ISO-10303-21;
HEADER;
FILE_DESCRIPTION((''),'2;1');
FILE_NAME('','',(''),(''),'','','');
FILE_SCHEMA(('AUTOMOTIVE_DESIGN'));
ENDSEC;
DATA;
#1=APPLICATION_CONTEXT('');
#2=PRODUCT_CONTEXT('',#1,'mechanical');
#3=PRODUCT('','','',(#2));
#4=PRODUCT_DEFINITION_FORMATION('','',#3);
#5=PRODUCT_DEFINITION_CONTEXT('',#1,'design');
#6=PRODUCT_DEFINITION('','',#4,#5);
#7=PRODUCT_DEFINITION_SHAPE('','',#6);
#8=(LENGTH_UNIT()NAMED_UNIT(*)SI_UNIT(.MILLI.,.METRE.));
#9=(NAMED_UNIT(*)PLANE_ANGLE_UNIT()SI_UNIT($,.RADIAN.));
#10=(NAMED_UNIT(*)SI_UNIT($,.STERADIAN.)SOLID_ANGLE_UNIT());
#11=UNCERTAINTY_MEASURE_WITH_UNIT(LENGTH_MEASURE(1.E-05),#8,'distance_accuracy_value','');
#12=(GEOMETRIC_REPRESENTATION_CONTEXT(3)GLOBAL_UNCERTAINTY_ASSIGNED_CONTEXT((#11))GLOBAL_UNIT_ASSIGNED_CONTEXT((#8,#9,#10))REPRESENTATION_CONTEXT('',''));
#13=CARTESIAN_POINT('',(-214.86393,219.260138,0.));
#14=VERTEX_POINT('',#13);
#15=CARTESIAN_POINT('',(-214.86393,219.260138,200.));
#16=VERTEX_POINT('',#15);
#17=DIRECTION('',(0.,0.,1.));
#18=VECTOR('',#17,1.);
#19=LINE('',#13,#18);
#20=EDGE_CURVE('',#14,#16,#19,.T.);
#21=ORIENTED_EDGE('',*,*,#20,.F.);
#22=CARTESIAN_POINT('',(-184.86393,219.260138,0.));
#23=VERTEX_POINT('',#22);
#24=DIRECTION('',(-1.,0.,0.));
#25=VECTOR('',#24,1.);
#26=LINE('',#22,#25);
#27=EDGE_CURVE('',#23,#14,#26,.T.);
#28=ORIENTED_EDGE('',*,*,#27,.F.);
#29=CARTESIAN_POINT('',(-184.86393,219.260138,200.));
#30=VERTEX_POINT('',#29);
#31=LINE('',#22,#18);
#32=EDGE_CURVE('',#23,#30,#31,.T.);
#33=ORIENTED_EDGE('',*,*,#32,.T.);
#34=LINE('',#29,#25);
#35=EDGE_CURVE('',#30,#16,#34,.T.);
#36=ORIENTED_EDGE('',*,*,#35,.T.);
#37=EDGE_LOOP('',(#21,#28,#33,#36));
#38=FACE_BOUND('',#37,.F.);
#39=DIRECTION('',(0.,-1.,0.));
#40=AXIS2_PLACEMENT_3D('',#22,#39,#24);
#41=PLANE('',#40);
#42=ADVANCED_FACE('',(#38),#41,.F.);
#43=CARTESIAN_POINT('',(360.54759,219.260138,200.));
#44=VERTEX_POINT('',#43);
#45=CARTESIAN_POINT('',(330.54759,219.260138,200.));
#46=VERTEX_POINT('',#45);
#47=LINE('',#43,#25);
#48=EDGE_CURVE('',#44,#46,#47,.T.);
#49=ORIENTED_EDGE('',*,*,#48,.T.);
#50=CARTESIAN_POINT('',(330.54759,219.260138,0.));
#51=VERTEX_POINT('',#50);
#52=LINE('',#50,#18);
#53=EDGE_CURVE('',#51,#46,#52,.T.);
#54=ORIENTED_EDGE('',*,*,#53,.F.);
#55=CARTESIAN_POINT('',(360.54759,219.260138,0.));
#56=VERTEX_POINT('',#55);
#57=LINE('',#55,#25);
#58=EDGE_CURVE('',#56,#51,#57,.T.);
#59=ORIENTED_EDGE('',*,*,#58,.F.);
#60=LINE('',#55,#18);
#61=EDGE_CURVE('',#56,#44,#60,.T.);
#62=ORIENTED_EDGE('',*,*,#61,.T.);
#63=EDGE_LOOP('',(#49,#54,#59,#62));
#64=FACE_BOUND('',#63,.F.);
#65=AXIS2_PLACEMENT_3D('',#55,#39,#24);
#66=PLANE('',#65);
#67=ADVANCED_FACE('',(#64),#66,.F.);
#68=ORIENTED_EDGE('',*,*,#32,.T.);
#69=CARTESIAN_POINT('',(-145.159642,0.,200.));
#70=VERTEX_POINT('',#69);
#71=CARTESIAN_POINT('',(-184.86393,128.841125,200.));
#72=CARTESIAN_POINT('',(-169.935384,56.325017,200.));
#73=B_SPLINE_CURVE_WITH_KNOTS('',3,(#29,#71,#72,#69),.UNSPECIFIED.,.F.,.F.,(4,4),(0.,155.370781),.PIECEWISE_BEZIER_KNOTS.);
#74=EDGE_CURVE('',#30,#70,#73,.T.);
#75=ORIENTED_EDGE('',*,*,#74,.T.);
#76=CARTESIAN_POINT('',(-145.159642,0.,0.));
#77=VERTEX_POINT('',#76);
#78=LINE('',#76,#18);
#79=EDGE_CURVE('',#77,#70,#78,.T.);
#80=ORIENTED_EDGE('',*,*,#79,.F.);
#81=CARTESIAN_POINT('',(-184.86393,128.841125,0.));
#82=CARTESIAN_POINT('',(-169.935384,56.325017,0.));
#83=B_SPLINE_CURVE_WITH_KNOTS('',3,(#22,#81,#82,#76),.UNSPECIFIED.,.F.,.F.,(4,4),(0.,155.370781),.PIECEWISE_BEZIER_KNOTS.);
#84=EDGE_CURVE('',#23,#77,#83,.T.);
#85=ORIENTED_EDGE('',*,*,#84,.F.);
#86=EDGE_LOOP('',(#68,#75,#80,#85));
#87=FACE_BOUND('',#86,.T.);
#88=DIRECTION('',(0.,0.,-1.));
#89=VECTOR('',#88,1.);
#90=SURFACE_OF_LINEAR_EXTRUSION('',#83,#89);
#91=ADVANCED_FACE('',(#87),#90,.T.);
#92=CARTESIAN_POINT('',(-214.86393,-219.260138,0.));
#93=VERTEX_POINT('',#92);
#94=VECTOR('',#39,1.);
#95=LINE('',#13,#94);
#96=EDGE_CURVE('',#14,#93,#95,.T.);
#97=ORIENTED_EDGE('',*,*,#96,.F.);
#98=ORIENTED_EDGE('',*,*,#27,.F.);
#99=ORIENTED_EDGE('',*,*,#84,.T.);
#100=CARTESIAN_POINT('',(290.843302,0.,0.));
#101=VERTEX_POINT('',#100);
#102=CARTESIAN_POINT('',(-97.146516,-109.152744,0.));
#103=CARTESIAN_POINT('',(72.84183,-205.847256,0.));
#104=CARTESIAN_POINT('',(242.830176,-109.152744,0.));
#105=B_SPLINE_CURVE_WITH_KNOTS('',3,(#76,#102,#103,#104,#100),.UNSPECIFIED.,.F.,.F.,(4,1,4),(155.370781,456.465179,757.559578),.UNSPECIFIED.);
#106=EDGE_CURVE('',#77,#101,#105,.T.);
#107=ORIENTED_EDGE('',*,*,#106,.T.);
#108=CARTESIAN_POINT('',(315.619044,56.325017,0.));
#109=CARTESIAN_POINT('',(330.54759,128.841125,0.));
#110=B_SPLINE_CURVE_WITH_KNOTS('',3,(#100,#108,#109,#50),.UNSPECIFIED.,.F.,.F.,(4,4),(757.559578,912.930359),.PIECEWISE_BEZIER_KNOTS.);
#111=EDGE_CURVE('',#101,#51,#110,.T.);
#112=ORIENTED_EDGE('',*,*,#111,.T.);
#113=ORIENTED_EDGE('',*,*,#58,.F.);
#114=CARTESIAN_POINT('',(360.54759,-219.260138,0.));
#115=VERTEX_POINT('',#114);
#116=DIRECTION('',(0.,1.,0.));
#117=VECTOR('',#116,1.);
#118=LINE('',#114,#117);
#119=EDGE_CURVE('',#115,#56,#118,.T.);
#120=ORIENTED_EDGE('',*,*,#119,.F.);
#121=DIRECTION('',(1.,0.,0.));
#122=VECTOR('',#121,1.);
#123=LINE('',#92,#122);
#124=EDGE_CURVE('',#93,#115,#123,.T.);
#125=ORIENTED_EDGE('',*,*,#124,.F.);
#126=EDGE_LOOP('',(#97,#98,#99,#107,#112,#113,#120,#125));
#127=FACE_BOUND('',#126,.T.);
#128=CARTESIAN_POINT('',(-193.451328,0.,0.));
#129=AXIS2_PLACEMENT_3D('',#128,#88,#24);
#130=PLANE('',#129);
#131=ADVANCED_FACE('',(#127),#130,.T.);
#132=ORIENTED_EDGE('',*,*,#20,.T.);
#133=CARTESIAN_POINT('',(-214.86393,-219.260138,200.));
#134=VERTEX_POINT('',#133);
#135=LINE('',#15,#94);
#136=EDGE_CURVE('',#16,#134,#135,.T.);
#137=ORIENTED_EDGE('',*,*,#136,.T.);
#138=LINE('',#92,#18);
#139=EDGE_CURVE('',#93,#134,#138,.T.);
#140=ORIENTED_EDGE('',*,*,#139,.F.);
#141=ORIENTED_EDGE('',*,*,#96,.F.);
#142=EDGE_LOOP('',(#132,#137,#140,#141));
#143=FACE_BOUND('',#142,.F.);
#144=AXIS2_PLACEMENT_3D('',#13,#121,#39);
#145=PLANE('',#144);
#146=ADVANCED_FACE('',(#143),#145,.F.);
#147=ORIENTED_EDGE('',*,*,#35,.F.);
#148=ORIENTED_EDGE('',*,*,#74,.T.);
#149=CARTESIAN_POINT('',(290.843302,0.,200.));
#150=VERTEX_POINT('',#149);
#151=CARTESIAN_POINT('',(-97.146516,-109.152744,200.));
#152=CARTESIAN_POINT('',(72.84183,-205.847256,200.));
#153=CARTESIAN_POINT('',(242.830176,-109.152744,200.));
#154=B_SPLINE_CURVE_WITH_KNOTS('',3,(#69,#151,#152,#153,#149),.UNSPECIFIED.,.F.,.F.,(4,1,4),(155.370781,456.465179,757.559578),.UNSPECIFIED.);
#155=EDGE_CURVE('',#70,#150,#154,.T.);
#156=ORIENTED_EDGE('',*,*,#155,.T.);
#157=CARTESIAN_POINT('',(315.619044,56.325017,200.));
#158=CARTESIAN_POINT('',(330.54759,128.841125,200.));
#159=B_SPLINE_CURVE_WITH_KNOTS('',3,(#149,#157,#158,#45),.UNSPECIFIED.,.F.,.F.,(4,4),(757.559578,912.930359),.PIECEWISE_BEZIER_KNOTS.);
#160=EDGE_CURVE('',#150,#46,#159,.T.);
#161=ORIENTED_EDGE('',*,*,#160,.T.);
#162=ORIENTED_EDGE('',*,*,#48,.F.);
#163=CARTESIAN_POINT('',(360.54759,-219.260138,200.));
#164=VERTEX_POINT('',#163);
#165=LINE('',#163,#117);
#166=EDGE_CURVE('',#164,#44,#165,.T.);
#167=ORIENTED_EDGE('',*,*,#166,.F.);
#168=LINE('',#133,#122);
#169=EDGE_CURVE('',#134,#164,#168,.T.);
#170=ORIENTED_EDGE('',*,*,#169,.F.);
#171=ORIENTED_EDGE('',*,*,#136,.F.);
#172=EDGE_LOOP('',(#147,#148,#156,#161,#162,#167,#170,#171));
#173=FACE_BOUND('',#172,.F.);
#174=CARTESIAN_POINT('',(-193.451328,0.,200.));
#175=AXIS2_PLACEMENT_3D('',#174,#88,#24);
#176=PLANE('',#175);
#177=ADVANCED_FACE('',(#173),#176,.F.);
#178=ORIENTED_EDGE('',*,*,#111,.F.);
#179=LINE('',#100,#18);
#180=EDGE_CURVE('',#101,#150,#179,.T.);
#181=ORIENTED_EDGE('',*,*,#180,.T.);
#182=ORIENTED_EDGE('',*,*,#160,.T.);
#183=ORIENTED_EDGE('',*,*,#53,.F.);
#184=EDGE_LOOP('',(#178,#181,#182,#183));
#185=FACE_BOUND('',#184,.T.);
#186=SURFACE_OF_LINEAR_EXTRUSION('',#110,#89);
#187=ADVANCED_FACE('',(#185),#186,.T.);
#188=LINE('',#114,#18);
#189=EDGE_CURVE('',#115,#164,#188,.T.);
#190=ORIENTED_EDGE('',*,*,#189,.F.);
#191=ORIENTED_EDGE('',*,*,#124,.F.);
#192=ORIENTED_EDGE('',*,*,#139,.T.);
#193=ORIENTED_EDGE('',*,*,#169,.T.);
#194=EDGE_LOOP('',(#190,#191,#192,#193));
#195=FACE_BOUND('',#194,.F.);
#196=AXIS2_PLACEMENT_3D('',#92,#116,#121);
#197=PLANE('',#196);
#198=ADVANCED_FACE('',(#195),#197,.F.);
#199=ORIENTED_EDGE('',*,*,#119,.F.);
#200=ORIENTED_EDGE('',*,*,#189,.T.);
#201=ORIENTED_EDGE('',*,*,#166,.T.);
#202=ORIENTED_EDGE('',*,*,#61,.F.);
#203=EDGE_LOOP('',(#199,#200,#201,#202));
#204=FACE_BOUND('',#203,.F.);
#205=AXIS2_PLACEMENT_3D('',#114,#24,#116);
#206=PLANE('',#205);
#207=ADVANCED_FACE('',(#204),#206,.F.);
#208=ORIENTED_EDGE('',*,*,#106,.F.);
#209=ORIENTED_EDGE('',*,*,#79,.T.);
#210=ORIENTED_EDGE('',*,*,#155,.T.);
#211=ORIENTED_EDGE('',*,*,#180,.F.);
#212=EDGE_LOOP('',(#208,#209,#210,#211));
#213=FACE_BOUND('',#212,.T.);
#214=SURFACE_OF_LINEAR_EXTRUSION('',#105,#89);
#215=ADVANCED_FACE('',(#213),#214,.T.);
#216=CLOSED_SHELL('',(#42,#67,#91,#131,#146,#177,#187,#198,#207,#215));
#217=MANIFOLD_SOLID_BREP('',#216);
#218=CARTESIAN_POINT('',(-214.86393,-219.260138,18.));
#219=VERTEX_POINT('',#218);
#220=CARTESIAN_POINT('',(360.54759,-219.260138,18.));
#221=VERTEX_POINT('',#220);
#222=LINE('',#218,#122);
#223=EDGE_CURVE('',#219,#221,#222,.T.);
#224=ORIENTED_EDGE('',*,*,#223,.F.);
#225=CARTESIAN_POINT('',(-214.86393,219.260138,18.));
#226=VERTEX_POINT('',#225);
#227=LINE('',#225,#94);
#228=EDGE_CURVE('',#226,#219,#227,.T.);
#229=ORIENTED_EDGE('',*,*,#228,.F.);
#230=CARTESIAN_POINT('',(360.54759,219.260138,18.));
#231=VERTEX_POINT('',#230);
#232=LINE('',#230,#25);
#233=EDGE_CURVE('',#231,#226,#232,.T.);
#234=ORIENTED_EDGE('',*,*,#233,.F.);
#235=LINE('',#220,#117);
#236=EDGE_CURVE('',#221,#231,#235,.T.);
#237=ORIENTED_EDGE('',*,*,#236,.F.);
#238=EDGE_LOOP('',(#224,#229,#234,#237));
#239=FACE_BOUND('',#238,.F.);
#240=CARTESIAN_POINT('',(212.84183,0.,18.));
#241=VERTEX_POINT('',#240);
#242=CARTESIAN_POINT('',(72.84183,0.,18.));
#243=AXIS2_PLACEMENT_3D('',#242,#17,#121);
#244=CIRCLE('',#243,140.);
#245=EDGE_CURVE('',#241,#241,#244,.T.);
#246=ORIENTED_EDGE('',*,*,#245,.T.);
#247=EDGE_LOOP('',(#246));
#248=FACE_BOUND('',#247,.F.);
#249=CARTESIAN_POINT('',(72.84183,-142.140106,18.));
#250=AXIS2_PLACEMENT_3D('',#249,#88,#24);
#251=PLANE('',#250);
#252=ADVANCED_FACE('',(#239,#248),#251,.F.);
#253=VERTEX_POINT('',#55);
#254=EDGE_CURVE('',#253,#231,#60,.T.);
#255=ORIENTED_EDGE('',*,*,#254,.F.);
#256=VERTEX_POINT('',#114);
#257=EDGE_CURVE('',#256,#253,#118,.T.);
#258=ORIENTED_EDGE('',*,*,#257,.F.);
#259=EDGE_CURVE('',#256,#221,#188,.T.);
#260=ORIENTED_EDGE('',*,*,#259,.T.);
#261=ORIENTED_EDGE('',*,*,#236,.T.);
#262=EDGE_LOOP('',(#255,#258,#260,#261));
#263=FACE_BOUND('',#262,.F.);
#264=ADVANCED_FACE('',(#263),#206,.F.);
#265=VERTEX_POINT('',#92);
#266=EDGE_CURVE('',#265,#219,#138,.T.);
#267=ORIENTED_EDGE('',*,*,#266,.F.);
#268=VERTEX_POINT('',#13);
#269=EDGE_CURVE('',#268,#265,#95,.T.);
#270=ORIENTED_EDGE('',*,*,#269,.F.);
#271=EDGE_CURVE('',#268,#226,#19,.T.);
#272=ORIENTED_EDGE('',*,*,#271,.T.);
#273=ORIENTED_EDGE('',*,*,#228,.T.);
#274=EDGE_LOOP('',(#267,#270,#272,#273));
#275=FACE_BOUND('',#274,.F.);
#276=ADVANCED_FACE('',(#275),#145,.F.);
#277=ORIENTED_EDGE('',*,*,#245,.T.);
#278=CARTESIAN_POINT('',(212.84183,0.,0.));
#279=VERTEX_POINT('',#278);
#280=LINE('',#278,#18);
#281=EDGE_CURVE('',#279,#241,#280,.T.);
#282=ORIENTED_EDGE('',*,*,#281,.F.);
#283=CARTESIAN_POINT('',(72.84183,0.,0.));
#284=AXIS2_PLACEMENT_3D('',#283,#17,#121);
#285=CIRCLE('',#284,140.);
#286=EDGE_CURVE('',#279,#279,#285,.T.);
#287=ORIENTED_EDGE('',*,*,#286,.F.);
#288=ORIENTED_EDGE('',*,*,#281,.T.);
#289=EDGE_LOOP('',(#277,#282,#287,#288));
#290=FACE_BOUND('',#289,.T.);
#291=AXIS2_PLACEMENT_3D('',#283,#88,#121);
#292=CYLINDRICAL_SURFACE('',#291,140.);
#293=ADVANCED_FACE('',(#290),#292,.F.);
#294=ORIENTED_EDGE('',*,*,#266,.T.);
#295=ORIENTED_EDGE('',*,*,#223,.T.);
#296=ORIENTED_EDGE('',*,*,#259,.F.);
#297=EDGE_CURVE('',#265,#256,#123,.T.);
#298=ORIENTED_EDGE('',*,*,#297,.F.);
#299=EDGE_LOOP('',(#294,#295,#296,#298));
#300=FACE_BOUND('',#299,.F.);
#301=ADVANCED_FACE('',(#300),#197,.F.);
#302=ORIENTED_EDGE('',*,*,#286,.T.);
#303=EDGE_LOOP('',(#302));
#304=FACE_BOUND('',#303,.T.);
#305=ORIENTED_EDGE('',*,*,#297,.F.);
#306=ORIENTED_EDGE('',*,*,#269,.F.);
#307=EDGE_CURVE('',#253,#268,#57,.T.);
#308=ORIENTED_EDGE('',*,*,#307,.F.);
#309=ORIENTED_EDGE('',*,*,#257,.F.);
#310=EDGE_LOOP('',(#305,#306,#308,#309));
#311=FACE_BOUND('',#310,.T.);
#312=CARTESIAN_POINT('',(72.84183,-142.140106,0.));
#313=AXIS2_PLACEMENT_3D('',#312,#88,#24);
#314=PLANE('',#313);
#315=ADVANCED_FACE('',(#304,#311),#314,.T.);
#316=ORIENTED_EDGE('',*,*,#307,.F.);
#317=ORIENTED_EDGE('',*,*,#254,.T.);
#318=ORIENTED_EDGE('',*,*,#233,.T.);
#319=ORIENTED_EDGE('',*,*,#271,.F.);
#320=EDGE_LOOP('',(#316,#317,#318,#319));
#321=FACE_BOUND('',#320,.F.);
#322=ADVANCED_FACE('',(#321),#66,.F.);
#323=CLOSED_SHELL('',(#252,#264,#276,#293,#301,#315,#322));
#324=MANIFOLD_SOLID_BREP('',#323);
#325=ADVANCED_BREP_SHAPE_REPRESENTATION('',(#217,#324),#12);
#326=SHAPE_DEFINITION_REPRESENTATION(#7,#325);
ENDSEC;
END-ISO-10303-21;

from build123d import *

# Parameters (mm, degrees)
F1_DEPTH = 200
F0_R     = 140
F2_DEPTH = 18


with BuildPart() as f1:
    # F0 (on Top) → F1 (new body)
    with BuildSketch(Plane.XY):
        with BuildLine():
            add(Edge.make_bspline(
                [(-184.86393, 219.260138), (-184.86393, 128.841125), (-169.935384, 56.325017), (-145.159642, 0)],
                knots=[0, 0, 0, 0, 155.370781, 155.370781, 155.370781, 155.370781], degree=3))
            Line((-184.86393, 219.260138), (-214.86393, 219.260138))
            Line((-214.86393, 219.260138), (-214.86393, -219.260138))
            Line((-214.86393, -219.260138), (-184.86393, -219.260138))
            add(Edge.make_bspline(
                [(-184.86393, -219.260138), (-184.86393, -128.841125), (-169.935384, -56.325017), (-145.159642, 0)],
                knots=[0, 0, 0, 0, 155.370781, 155.370781, 155.370781, 155.370781], degree=3))
        make_face()
        with BuildLine():
            add(Edge.make_bspline(
                [(-145.159642, 0), (-97.146516, -109.152744), (72.84183, -205.847256), (242.830176, -109.152744), (290.843302, 0)],
                knots=[155.370781, 155.370781, 155.370781, 155.370781, 456.465179, 757.559578, 757.559578, 757.559578, 757.559578], degree=3))
            add(Edge.make_bspline(
                [(-184.86393, -219.260138), (-184.86393, -128.841125), (-169.935384, -56.325017), (-145.159642, 0)],
                knots=[0, 0, 0, 0, 155.370781, 155.370781, 155.370781, 155.370781], degree=3))
            Line((-184.86393, -219.260138), (330.54759, -219.260138))
            add(Edge.make_bspline(
                [(290.843302, 0), (315.619044, -56.325017), (330.54759, -128.841125), (330.54759, -219.260138)],
                knots=[757.559578, 757.559578, 757.559578, 757.559578, 912.930359, 912.930359, 912.930359, 912.930359], degree=3))
        make_face()
        with BuildLine():
            Line((360.54759, 219.260138), (330.54759, 219.260138))
            add(Edge.make_bspline(
                [(290.843302, 0), (315.619044, 56.325017), (330.54759, 128.841125), (330.54759, 219.260138)],
                knots=[757.559578, 757.559578, 757.559578, 757.559578, 912.930359, 912.930359, 912.930359, 912.930359], degree=3))
            add(Edge.make_bspline(
                [(290.843302, 0), (315.619044, -56.325017), (330.54759, -128.841125), (330.54759, -219.260138)],
                knots=[757.559578, 757.559578, 757.559578, 757.559578, 912.930359, 912.930359, 912.930359, 912.930359], degree=3))
            Line((330.54759, -219.260138), (360.54759, -219.260138))
            Line((360.54759, -219.260138), (360.54759, 219.260138))
        make_face()
    extrude(amount=F1_DEPTH)


with BuildPart() as f2:
    # F0 (on Top) → F2 (new body)
    with BuildSketch(Plane.XY):
        with BuildLine():
            add(Edge.make_bspline(
                [(-145.159642, 0), (-97.146516, -109.152744), (72.84183, -205.847256), (242.830176, -109.152744), (290.843302, 0)],
                knots=[155.370781, 155.370781, 155.370781, 155.370781, 456.465179, 757.559578, 757.559578, 757.559578, 757.559578], degree=3))
            add(Edge.make_bspline(
                [(-184.86393, -219.260138), (-184.86393, -128.841125), (-169.935384, -56.325017), (-145.159642, 0)],
                knots=[0, 0, 0, 0, 155.370781, 155.370781, 155.370781, 155.370781], degree=3))
            Line((-184.86393, -219.260138), (330.54759, -219.260138))
            add(Edge.make_bspline(
                [(290.843302, 0), (315.619044, -56.325017), (330.54759, -128.841125), (330.54759, -219.260138)],
                knots=[757.559578, 757.559578, 757.559578, 757.559578, 912.930359, 912.930359, 912.930359, 912.930359], degree=3))
        make_face()
        with BuildLine():
            Line((360.54759, 219.260138), (330.54759, 219.260138))
            add(Edge.make_bspline(
                [(290.843302, 0), (315.619044, 56.325017), (330.54759, 128.841125), (330.54759, 219.260138)],
                knots=[757.559578, 757.559578, 757.559578, 757.559578, 912.930359, 912.930359, 912.930359, 912.930359], degree=3))
            add(Edge.make_bspline(
                [(290.843302, 0), (315.619044, -56.325017), (330.54759, -128.841125), (330.54759, -219.260138)],
                knots=[757.559578, 757.559578, 757.559578, 757.559578, 912.930359, 912.930359, 912.930359, 912.930359], degree=3))
            Line((330.54759, -219.260138), (360.54759, -219.260138))
            Line((360.54759, -219.260138), (360.54759, 219.260138))
        make_face()
        with BuildLine():
            add(Edge.make_bspline(
                [(-184.86393, 219.260138), (-184.86393, 128.841125), (-169.935384, 56.325017), (-145.159642, 0)],
                knots=[0, 0, 0, 0, 155.370781, 155.370781, 155.370781, 155.370781], degree=3))
            Line((-184.86393, 219.260138), (-214.86393, 219.260138))
            Line((-214.86393, 219.260138), (-214.86393, -219.260138))
            Line((-214.86393, -219.260138), (-184.86393, -219.260138))
            add(Edge.make_bspline(
                [(-184.86393, -219.260138), (-184.86393, -128.841125), (-169.935384, -56.325017), (-145.159642, 0)],
                knots=[0, 0, 0, 0, 155.370781, 155.370781, 155.370781, 155.370781], degree=3))
        make_face()
        with BuildLine():
            add(Edge.make_bspline(
                [(-145.159642, 0), (-97.146516, 109.152744), (72.84183, 205.847256), (242.830176, 109.152744), (290.843302, 0)],
                knots=[155.370781, 155.370781, 155.370781, 155.370781, 456.465179, 757.559578, 757.559578, 757.559578, 757.559578], degree=3))
            add(Edge.make_bspline(
                [(-145.159642, 0), (-97.146516, -109.152744), (72.84183, -205.847256), (242.830176, -109.152744), (290.843302, 0)],
                knots=[155.370781, 155.370781, 155.370781, 155.370781, 456.465179, 757.559578, 757.559578, 757.559578, 757.559578], degree=3))
        make_face()
        with Locations((72.84183, 0)):
            Circle(F0_R, mode=Mode.SUBTRACT)
        with BuildLine():
            Line((330.54759, 219.260138), (-184.86393, 219.260138))
            add(Edge.make_bspline(
                [(-184.86393, 219.260138), (-184.86393, 128.841125), (-169.935384, 56.325017), (-145.159642, 0)],
                knots=[0, 0, 0, 0, 155.370781, 155.370781, 155.370781, 155.370781], degree=3))
            add(Edge.make_bspline(
                [(-145.159642, 0), (-97.146516, 109.152744), (72.84183, 205.847256), (242.830176, 109.152744), (290.843302, 0)],
                knots=[155.370781, 155.370781, 155.370781, 155.370781, 456.465179, 757.559578, 757.559578, 757.559578, 757.559578], degree=3))
            add(Edge.make_bspline(
                [(290.843302, 0), (315.619044, 56.325017), (330.54759, 128.841125), (330.54759, 219.260138)],
                knots=[757.559578, 757.559578, 757.559578, 757.559578, 912.930359, 912.930359, 912.930359, 912.930359], degree=3))
        make_face()
    extrude(amount=F2_DEPTH)


solid = Compound([f1.part, f2.part])
